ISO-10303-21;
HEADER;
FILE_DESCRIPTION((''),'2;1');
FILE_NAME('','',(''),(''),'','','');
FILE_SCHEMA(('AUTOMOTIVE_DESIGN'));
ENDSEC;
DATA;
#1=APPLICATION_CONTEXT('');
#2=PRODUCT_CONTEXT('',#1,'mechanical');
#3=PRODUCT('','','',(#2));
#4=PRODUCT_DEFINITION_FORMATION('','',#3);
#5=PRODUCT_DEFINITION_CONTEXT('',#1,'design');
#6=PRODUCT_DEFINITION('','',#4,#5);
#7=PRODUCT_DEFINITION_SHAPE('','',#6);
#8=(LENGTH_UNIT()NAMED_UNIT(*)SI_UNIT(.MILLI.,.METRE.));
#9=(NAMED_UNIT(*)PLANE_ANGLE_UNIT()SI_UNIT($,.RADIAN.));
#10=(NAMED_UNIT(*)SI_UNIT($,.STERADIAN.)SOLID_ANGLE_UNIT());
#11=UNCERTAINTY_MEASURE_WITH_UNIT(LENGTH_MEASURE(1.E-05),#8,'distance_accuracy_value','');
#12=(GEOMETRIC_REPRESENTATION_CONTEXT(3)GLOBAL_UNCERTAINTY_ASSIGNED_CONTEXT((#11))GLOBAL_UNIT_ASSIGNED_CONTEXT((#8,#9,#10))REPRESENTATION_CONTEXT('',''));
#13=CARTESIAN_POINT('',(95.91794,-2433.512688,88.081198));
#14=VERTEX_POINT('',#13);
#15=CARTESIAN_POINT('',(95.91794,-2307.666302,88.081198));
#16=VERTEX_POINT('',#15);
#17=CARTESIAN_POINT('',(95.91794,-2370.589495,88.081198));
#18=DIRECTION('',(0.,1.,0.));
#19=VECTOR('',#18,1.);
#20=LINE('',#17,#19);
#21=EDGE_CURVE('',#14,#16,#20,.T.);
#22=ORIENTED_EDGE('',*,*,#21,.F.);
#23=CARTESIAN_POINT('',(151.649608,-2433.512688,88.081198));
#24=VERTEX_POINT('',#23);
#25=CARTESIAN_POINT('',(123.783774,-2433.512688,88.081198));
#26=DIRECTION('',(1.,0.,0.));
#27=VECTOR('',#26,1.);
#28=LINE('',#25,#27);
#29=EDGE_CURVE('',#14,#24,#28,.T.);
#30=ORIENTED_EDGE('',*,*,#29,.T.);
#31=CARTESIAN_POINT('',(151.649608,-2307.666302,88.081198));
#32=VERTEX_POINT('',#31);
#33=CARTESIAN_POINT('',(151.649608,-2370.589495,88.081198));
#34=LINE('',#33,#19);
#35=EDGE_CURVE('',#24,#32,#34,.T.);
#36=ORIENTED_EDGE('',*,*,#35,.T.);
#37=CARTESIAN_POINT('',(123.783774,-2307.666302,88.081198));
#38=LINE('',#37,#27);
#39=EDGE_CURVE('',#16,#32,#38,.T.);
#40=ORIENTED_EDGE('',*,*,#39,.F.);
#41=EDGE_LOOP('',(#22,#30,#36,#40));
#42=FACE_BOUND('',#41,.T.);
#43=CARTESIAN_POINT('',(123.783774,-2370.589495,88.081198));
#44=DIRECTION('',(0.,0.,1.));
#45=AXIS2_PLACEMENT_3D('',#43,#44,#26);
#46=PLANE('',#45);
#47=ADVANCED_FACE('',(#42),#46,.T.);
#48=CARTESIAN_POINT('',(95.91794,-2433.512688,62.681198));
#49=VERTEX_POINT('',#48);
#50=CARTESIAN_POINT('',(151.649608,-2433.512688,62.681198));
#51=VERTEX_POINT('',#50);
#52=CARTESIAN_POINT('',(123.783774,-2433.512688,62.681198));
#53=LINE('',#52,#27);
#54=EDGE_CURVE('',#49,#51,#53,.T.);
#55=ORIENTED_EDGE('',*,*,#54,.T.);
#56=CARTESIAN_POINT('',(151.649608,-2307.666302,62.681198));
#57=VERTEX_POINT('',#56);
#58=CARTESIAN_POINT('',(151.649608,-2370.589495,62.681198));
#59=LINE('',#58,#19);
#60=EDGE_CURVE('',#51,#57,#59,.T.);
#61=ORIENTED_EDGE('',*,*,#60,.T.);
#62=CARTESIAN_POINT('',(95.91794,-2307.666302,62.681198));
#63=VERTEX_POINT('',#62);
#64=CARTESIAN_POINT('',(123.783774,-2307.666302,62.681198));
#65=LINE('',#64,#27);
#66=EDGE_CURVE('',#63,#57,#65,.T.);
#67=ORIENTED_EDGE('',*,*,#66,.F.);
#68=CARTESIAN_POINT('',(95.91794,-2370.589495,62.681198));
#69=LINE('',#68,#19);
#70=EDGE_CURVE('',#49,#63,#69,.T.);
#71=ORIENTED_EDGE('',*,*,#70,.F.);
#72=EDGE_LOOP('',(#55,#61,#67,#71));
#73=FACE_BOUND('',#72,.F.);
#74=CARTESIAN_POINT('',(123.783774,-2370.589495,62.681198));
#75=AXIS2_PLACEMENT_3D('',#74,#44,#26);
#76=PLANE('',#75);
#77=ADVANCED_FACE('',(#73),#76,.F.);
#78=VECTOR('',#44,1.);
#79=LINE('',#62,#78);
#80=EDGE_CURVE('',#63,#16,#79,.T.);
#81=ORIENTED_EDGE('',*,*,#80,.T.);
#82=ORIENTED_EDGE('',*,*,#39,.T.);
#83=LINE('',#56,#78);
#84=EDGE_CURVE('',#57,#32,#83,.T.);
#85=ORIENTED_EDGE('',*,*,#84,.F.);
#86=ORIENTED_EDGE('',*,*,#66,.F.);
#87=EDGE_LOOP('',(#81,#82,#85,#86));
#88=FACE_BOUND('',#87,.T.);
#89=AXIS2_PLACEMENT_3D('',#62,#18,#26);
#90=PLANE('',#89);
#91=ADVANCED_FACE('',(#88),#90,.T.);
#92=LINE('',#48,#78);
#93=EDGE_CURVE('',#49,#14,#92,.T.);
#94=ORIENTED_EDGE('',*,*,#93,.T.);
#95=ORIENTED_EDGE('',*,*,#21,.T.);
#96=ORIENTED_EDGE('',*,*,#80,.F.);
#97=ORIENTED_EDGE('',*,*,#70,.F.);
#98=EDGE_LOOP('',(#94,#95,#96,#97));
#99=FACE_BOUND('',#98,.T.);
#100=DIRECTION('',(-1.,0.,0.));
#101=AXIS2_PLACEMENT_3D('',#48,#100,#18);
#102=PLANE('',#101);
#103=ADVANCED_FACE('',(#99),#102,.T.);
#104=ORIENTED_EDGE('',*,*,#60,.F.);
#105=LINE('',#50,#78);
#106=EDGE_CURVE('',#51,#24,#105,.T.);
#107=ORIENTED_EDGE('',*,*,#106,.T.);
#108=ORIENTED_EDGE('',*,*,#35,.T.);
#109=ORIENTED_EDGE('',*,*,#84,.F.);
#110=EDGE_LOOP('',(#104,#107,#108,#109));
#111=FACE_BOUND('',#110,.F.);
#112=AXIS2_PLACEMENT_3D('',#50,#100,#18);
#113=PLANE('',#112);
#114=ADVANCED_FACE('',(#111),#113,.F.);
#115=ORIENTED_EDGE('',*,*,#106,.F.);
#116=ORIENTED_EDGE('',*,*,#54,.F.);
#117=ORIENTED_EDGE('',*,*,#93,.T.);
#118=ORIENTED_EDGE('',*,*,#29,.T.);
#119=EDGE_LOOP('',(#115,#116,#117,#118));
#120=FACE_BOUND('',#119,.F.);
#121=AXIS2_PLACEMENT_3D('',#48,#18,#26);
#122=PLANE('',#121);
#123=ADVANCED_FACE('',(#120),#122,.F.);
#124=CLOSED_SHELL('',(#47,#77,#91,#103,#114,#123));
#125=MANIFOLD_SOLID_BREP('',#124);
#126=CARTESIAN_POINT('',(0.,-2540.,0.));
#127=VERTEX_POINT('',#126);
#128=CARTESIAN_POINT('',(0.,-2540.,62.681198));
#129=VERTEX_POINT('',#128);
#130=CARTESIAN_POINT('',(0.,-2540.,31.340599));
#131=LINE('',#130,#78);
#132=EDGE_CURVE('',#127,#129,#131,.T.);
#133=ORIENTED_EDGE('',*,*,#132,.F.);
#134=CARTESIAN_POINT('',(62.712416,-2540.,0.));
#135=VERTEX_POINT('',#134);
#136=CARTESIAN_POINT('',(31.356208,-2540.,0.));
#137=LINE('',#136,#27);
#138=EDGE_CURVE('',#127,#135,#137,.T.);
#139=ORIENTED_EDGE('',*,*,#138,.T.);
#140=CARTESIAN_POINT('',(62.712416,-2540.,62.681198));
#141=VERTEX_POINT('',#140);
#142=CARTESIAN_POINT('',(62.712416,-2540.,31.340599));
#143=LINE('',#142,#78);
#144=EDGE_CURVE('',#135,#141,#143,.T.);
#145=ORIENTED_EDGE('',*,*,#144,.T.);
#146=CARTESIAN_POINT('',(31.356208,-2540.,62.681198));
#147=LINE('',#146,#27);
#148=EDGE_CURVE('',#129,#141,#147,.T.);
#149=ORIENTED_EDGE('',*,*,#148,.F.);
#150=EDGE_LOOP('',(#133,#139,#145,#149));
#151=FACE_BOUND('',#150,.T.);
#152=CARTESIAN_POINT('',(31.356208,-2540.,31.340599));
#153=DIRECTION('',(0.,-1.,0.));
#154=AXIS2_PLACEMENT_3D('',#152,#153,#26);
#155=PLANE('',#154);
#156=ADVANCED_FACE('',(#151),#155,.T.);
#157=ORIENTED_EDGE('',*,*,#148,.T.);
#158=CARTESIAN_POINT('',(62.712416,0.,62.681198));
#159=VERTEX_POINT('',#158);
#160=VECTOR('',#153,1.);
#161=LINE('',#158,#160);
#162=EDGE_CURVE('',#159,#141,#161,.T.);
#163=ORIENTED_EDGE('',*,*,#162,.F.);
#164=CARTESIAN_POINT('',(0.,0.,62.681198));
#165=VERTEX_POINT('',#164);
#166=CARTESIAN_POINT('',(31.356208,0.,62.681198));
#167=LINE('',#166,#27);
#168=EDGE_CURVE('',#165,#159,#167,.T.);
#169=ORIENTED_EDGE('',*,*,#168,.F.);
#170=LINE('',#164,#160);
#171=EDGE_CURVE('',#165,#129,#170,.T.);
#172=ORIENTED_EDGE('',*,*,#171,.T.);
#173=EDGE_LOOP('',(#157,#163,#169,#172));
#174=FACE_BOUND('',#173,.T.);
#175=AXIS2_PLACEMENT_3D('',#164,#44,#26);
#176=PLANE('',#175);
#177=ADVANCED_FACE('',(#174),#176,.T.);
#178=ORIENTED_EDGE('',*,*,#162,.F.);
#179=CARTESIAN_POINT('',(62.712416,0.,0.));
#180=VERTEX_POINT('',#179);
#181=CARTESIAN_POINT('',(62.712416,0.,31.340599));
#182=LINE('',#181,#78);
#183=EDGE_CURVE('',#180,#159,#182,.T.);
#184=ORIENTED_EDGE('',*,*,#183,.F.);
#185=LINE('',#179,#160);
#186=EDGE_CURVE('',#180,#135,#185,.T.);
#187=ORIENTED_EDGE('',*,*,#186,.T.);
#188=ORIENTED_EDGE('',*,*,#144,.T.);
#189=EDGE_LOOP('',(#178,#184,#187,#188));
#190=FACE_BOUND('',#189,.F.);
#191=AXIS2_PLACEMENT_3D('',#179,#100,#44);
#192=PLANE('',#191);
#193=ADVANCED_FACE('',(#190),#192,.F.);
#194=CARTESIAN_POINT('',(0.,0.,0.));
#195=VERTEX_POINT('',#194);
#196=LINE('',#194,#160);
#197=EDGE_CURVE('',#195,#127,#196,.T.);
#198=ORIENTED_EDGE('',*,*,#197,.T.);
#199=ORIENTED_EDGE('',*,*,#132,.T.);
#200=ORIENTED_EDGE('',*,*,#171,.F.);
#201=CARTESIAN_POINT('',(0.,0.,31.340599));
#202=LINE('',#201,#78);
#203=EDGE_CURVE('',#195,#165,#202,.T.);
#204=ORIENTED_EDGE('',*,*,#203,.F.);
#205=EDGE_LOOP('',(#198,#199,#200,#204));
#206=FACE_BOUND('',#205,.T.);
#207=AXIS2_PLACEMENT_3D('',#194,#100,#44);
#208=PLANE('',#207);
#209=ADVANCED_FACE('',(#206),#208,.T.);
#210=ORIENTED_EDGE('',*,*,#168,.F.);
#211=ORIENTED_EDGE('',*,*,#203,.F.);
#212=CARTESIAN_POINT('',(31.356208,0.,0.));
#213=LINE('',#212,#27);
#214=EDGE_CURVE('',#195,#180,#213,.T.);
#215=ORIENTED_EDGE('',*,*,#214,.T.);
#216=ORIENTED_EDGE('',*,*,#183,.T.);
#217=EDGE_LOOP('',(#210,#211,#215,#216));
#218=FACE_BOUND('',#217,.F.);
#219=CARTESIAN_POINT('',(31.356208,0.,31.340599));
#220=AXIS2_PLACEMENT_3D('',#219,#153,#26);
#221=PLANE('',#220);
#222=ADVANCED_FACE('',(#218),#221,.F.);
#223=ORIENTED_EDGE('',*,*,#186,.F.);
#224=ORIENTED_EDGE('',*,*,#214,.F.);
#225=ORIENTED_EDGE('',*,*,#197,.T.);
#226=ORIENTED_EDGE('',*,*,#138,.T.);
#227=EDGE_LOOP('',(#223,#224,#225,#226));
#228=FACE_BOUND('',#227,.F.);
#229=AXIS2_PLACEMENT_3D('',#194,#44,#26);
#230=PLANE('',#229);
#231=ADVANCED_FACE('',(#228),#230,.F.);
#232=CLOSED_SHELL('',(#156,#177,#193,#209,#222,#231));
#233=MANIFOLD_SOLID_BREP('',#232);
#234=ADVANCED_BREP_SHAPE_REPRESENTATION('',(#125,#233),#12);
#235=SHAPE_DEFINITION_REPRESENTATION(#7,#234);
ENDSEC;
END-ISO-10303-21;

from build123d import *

# Parameters (mm, degrees)
F0_W     = 62.712416
F0_H     = 62.681198
F1_DEPTH = 2540
F2_W     = 55.731669
F2_H     = 125.846386
F3_DEPTH = 25.4


with BuildPart() as f1:
    # F0 (on Front) → F1 (new body)
    with BuildSketch(Plane.XZ):
        with Locations((31.356208, 31.340599)):
            Rectangle(F0_W, F0_H)
    extrude(amount=F1_DEPTH)


with BuildPart() as f3:
    # F2 (on face) → F3 (new body)
    with BuildSketch(Plane.XY.offset(62.681198)):
        with Locations((123.783774, -2370.589495)):
            Rectangle(F2_W, F2_H)
    extrude(amount=F3_DEPTH)


solid = Compound([f1.part, f3.part])
